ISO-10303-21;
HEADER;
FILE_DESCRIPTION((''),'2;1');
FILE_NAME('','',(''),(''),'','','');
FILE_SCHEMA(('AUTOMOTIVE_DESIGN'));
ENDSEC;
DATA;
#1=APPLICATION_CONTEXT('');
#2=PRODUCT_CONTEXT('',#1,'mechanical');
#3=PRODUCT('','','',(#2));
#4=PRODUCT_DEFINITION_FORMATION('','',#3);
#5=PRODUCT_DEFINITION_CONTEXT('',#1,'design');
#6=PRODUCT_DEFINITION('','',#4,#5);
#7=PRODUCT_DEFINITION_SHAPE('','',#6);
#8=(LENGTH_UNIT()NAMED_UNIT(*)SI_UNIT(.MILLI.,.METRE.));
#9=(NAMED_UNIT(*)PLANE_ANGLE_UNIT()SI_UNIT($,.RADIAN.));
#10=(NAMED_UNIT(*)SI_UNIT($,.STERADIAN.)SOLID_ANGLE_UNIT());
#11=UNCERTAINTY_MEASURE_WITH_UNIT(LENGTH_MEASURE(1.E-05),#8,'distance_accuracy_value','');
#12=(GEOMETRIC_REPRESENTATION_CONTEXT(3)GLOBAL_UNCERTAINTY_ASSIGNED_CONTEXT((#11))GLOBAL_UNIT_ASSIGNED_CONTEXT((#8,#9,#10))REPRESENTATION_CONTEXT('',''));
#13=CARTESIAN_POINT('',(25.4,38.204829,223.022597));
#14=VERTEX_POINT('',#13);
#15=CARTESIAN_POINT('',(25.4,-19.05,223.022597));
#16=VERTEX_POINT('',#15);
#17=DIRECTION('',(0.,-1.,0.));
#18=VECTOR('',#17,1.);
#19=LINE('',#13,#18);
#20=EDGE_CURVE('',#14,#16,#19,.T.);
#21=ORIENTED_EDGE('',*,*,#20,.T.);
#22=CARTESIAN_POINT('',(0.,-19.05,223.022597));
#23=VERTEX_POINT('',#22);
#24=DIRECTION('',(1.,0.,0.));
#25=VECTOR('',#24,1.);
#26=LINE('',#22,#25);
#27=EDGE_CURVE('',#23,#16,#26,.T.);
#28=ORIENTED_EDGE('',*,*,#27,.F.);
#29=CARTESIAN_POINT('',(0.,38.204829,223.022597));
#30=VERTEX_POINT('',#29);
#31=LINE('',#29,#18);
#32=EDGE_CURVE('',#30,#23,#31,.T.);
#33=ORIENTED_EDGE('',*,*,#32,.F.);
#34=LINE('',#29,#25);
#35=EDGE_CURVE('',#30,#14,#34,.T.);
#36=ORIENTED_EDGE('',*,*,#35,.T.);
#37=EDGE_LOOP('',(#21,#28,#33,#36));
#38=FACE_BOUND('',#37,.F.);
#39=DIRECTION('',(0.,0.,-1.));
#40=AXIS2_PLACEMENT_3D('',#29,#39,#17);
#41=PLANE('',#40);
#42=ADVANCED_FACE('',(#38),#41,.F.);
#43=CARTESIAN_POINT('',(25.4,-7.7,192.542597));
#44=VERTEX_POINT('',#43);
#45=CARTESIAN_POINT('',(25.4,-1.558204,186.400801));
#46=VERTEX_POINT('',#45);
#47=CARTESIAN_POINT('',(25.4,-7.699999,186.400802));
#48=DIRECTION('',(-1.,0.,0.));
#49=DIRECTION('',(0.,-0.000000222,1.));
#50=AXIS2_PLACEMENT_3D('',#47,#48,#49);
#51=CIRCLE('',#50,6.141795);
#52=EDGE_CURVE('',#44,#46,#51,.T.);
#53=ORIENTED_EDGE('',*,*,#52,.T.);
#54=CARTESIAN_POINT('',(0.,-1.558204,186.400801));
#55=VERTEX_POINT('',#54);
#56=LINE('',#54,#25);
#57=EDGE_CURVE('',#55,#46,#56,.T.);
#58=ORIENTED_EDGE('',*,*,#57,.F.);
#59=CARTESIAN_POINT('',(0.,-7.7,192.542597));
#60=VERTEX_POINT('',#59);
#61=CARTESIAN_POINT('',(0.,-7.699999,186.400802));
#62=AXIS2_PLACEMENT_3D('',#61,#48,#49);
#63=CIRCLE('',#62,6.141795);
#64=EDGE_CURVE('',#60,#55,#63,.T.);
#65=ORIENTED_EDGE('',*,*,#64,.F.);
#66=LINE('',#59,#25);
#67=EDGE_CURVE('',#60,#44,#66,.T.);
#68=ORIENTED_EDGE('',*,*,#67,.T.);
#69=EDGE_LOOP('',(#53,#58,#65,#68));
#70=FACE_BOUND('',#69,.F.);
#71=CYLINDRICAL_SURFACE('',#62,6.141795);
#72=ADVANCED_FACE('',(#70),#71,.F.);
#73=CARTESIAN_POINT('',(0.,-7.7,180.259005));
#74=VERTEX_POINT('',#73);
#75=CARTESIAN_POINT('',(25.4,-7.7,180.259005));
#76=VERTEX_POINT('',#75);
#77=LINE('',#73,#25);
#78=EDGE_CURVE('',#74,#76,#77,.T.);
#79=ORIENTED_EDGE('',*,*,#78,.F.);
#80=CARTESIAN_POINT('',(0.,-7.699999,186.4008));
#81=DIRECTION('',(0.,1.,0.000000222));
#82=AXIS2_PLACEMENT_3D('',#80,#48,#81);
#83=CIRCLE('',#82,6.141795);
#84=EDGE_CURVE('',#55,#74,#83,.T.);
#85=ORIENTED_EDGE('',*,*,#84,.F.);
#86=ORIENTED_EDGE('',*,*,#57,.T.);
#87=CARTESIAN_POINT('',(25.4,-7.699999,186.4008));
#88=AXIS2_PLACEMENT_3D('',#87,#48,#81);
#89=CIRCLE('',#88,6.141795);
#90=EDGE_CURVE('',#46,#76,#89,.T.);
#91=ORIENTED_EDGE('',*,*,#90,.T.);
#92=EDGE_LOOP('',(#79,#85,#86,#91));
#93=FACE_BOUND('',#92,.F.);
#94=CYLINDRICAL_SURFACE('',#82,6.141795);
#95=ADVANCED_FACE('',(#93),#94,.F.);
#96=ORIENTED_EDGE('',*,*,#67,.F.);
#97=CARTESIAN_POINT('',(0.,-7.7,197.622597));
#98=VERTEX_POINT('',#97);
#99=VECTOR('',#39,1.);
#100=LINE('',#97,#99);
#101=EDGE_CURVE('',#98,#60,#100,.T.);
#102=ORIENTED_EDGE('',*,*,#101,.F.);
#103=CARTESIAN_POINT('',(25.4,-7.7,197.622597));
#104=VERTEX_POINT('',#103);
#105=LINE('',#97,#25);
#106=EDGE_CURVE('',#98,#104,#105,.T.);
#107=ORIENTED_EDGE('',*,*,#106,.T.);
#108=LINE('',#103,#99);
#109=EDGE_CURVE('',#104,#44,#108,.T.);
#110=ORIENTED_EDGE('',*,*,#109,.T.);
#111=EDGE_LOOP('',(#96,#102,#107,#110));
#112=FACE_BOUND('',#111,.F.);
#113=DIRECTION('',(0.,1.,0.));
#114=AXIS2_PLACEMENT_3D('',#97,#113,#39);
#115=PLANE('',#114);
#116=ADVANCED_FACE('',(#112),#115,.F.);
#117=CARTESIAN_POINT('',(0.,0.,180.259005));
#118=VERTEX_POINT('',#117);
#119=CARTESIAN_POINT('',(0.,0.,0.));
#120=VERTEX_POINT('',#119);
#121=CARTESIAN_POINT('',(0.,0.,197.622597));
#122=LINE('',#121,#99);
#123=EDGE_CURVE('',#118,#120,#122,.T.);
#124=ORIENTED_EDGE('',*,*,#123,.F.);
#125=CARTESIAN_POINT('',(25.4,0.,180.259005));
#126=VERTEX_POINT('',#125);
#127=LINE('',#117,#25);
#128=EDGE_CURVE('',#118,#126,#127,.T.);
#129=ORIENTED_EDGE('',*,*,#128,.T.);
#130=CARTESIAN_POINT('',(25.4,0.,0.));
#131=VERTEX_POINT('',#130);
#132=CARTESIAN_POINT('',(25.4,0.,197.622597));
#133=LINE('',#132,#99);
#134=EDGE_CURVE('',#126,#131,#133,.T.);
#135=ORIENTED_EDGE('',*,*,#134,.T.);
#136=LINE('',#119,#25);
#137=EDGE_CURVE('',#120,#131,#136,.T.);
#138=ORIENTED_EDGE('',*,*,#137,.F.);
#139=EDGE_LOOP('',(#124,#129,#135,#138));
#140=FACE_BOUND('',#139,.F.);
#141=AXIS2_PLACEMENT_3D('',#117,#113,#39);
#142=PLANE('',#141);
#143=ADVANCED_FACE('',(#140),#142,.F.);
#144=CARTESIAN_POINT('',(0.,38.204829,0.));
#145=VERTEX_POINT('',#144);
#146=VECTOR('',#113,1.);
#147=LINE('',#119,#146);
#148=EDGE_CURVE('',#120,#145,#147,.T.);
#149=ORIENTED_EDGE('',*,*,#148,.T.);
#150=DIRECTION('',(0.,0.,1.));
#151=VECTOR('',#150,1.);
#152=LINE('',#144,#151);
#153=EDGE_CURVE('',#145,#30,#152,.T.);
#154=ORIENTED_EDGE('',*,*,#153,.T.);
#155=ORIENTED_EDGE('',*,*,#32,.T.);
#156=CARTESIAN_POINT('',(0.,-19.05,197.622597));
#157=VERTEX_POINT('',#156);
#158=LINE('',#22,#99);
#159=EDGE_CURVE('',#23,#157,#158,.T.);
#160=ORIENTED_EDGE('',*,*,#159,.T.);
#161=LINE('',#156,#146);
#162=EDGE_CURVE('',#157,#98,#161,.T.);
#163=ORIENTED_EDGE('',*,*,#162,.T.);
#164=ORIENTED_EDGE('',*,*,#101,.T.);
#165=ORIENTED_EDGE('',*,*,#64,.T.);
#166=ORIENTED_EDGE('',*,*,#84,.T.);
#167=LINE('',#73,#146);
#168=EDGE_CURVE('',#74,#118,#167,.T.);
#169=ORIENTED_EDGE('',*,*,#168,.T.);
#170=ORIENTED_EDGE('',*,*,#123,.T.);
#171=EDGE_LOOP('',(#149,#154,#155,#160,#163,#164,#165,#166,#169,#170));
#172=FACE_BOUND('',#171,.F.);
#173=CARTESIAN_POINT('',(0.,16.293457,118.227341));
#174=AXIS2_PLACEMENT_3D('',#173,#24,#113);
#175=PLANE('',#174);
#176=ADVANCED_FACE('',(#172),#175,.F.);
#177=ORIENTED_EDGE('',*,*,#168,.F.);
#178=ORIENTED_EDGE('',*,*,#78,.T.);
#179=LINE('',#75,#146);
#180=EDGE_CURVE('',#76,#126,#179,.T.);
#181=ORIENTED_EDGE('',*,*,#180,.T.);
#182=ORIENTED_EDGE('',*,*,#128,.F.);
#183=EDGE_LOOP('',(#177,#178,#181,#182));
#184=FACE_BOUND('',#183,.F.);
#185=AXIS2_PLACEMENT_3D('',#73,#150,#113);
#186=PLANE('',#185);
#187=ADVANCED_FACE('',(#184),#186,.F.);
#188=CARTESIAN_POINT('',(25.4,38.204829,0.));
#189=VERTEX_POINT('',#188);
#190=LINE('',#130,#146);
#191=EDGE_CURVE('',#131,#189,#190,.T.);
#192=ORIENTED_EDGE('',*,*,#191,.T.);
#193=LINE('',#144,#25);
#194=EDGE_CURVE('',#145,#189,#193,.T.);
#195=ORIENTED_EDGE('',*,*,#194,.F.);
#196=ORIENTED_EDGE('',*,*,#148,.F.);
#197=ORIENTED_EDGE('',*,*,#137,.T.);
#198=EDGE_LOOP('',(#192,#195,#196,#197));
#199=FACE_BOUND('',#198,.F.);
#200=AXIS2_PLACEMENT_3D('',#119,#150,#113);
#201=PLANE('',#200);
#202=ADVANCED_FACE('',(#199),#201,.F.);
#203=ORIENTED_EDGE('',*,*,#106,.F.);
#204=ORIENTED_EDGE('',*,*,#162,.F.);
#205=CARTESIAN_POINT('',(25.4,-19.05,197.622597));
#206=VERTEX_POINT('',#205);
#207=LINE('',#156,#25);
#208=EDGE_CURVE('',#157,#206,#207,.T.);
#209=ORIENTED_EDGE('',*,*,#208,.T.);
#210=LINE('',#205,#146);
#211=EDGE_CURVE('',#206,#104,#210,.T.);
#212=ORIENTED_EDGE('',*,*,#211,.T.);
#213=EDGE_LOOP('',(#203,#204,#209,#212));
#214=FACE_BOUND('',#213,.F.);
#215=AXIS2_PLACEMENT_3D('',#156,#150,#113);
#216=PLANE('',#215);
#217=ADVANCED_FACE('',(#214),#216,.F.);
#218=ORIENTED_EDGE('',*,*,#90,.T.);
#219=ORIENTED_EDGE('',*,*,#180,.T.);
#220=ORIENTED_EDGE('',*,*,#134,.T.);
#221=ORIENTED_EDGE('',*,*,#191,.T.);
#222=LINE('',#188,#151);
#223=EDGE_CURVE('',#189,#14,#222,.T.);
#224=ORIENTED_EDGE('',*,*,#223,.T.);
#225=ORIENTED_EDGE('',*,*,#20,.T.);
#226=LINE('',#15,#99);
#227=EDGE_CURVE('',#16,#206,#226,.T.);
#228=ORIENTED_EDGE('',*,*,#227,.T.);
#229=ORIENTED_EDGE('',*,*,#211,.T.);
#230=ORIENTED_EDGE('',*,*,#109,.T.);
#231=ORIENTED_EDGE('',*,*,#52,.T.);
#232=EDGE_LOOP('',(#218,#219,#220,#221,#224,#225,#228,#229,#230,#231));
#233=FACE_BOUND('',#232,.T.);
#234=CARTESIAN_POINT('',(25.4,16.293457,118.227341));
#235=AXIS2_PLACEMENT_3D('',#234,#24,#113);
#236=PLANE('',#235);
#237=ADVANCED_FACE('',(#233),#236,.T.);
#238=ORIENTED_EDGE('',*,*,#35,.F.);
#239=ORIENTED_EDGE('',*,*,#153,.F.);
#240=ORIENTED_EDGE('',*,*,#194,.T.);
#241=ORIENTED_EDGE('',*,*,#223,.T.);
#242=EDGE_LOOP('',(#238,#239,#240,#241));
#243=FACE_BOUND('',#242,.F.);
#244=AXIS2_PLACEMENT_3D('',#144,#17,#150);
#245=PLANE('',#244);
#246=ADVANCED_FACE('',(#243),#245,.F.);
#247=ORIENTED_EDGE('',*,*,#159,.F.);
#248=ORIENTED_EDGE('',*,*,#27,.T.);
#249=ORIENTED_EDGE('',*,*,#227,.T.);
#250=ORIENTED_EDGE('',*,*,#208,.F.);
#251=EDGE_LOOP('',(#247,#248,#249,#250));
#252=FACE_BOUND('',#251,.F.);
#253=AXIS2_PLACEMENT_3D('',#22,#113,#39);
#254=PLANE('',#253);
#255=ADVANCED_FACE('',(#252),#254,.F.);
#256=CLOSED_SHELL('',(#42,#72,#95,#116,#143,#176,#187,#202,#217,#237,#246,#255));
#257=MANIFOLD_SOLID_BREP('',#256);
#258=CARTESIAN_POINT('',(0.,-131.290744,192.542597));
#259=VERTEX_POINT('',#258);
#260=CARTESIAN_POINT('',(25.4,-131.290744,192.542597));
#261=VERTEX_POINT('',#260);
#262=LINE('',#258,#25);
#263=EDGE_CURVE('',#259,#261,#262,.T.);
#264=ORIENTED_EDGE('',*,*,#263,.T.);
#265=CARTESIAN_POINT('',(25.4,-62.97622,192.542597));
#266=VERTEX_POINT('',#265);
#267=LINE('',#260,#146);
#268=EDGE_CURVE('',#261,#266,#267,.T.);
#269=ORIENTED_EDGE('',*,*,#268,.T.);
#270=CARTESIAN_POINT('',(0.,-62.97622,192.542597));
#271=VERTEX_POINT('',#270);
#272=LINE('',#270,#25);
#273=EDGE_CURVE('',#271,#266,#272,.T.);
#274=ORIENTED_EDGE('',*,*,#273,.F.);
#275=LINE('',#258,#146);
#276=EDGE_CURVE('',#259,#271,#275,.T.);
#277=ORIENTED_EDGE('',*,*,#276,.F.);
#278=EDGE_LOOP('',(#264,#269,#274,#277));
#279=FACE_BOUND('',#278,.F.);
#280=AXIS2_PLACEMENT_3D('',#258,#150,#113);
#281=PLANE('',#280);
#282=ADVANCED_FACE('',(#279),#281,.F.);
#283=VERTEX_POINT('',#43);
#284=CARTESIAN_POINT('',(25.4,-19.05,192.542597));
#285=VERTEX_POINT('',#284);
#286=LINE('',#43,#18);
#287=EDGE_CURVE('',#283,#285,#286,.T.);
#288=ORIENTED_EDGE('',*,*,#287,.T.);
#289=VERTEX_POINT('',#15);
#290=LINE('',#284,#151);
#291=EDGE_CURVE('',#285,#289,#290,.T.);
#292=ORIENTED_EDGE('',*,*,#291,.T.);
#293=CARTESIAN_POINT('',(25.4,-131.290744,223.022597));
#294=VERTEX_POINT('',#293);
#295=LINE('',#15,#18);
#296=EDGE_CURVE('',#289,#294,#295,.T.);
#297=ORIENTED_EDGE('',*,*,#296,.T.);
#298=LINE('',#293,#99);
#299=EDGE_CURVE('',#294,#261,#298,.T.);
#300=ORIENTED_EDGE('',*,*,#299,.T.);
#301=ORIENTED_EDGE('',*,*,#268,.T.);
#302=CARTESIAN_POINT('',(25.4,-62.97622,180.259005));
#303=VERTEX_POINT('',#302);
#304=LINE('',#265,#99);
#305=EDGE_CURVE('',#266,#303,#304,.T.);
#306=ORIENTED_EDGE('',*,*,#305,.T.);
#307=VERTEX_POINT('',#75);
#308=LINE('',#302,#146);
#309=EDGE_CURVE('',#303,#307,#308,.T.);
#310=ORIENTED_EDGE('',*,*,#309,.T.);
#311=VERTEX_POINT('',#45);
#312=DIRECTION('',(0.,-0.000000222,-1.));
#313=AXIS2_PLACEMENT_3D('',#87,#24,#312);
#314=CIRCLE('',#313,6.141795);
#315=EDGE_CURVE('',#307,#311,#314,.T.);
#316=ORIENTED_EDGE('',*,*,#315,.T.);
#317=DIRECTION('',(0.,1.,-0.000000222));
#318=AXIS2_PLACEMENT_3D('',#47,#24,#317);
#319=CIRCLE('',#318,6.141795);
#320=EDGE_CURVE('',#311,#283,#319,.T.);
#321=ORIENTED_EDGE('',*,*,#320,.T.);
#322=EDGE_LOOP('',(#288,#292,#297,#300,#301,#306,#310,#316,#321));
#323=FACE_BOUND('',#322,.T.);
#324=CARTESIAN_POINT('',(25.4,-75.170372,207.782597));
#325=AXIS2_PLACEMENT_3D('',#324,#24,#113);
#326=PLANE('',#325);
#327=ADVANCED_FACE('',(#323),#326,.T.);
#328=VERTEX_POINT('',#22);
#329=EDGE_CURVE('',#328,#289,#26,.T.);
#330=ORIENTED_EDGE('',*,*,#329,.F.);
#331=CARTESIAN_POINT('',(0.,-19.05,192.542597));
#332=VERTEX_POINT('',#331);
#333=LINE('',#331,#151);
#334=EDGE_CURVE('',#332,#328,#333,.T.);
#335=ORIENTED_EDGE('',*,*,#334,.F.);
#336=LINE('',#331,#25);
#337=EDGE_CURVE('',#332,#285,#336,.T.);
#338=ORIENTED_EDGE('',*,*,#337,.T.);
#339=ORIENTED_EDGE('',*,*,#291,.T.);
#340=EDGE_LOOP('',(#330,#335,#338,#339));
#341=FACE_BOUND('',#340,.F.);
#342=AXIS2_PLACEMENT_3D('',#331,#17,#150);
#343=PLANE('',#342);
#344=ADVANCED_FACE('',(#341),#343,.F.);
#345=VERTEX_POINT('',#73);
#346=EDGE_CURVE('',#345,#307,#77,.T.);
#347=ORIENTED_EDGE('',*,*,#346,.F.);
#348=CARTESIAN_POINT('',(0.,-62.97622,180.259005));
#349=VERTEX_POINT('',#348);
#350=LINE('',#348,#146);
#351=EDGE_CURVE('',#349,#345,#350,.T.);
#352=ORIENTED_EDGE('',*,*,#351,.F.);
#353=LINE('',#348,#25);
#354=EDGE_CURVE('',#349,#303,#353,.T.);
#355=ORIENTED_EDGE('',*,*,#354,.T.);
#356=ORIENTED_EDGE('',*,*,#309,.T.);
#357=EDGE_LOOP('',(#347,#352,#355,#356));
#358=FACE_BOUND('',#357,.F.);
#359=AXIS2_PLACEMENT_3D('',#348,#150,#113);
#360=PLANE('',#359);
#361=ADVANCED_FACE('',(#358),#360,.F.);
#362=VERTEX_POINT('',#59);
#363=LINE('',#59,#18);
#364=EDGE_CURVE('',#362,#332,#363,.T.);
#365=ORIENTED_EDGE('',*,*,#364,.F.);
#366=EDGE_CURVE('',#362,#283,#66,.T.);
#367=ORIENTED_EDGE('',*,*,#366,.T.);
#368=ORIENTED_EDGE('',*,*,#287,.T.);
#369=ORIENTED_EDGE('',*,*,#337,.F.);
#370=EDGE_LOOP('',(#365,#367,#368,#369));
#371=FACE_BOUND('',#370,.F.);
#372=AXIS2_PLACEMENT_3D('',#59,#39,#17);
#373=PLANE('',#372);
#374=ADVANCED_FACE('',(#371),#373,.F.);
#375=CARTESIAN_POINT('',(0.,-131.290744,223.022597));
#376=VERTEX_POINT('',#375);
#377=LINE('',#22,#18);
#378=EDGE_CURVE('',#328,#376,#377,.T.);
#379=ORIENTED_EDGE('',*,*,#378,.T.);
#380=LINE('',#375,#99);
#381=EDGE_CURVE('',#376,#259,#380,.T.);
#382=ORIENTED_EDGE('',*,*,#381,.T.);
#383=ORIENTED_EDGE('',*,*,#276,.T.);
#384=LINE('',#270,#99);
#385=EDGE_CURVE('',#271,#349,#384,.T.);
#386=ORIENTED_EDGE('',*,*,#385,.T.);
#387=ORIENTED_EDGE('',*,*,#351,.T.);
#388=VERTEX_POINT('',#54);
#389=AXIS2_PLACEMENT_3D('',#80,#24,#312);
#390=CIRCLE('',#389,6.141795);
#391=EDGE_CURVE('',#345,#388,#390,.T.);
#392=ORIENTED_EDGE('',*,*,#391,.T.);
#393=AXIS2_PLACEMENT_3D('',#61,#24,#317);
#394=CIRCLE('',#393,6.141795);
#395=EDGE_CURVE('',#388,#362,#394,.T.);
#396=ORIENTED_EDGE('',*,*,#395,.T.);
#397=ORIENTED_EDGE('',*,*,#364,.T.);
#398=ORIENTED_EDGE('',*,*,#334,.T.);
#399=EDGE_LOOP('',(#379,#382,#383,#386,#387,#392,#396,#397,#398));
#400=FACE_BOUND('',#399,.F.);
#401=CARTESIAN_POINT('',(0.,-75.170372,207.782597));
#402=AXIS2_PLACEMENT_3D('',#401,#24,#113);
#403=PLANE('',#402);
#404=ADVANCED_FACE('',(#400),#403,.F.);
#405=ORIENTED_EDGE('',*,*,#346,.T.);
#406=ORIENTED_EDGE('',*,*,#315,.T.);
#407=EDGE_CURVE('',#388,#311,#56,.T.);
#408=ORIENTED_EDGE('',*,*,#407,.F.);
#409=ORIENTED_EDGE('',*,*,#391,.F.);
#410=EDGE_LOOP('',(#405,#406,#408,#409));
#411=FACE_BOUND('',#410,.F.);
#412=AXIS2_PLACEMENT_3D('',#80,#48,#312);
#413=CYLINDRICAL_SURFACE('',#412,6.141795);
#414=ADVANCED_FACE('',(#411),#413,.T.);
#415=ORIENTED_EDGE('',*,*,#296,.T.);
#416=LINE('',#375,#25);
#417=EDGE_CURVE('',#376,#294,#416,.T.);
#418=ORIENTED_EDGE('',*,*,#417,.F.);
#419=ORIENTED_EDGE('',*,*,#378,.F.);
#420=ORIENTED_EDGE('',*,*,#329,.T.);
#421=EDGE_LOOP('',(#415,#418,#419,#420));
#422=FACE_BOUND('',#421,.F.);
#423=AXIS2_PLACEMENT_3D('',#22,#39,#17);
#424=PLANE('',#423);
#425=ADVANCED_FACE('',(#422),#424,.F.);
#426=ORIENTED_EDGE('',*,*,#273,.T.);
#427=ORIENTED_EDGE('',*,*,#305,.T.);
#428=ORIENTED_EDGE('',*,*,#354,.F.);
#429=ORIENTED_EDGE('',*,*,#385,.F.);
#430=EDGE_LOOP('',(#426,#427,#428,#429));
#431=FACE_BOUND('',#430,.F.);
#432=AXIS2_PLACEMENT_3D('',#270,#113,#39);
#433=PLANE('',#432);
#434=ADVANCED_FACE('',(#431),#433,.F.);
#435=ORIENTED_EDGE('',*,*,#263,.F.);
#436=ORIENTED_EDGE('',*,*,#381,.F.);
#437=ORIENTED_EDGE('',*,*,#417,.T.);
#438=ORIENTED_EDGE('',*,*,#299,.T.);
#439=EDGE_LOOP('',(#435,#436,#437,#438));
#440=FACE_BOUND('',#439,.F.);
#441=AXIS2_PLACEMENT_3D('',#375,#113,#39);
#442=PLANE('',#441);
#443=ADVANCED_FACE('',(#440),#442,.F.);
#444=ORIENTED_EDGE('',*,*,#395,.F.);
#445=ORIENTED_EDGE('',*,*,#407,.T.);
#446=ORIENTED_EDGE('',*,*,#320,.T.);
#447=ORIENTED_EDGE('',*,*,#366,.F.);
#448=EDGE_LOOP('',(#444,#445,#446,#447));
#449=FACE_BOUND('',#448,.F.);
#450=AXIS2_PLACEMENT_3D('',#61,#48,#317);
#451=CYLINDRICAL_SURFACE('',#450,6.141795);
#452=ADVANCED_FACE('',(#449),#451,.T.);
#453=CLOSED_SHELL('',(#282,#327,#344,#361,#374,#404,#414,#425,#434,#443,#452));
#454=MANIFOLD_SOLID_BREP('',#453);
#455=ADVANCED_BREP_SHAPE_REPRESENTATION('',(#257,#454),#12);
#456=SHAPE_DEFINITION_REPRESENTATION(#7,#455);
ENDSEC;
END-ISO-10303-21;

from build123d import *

# Parameters (mm, degrees)
F1_DEPTH = 25.4
F2_DEPTH = 25.4


with BuildPart() as f1:
    # F0 (on Right) → F1 (new body)
    with BuildSketch(Plane.YZ):
        Polygon((0, 180.259005), (0, 0), (38.204829, 0), (38.204829, 223.022597), (-19.05, 223.022597), (-19.05, 197.622597), (-7.7, 197.622597), (0, 197.622597), align=None)
        with BuildLine():
            Line((-7.7, 180.259005), (0, 180.259005))
            Line((0, 180.259005), (0, 197.622597))
            Line((0, 197.622597), (-7.7, 197.622597))
            Line((-7.7, 197.622597), (-7.7, 192.542597))
            ThreePointArc((-7.7, 192.542597), (-3.357094, 190.743707), (-1.558204, 186.400801))
            ThreePointArc((-1.558204, 186.400801), (-3.357094, 182.057895), (-7.7, 180.259005))
        make_face()
    extrude(amount=F1_DEPTH)


with BuildPart() as f2:
    # F0 (on Right) → F2 (new body)
    with BuildSketch(Plane.YZ):
        Polygon((-19.05, 197.622597), (-19.05, 223.022597), (-131.290744, 223.022597), (-131.290744, 192.542597), (-62.97622, 192.542597), (-19.05, 192.542597), align=None)
        with BuildLine():
            Line((-62.97622, 180.259005), (-7.7, 180.259005))
            ThreePointArc((-7.7, 180.259005), (-13.841796, 186.400801), (-7.7, 192.542597))
            Line((-7.7, 192.542597), (-19.05, 192.542597))
            Line((-19.05, 192.542597), (-62.97622, 192.542597))
            Line((-62.97622, 192.542597), (-62.97622, 180.259005))
        make_face()
        with BuildLine():
            Line((-7.7, 192.542597), (-7.7, 180.259005))
            ThreePointArc((-7.7, 180.259005), (-3.357094, 182.057895), (-1.558204, 186.400801))
            ThreePointArc((-1.558204, 186.400801), (-3.357094, 190.743707), (-7.7, 192.542597))
        make_face()
        with BuildLine():
            ThreePointArc((-7.7, 192.542597), (-13.841796, 186.400801), (-7.7, 180.259005))
            Line((-7.7, 180.259005), (-7.7, 192.542597))
        make_face()
    extrude(amount=F2_DEPTH)


solid = Compound([f1.part, f2.part])
